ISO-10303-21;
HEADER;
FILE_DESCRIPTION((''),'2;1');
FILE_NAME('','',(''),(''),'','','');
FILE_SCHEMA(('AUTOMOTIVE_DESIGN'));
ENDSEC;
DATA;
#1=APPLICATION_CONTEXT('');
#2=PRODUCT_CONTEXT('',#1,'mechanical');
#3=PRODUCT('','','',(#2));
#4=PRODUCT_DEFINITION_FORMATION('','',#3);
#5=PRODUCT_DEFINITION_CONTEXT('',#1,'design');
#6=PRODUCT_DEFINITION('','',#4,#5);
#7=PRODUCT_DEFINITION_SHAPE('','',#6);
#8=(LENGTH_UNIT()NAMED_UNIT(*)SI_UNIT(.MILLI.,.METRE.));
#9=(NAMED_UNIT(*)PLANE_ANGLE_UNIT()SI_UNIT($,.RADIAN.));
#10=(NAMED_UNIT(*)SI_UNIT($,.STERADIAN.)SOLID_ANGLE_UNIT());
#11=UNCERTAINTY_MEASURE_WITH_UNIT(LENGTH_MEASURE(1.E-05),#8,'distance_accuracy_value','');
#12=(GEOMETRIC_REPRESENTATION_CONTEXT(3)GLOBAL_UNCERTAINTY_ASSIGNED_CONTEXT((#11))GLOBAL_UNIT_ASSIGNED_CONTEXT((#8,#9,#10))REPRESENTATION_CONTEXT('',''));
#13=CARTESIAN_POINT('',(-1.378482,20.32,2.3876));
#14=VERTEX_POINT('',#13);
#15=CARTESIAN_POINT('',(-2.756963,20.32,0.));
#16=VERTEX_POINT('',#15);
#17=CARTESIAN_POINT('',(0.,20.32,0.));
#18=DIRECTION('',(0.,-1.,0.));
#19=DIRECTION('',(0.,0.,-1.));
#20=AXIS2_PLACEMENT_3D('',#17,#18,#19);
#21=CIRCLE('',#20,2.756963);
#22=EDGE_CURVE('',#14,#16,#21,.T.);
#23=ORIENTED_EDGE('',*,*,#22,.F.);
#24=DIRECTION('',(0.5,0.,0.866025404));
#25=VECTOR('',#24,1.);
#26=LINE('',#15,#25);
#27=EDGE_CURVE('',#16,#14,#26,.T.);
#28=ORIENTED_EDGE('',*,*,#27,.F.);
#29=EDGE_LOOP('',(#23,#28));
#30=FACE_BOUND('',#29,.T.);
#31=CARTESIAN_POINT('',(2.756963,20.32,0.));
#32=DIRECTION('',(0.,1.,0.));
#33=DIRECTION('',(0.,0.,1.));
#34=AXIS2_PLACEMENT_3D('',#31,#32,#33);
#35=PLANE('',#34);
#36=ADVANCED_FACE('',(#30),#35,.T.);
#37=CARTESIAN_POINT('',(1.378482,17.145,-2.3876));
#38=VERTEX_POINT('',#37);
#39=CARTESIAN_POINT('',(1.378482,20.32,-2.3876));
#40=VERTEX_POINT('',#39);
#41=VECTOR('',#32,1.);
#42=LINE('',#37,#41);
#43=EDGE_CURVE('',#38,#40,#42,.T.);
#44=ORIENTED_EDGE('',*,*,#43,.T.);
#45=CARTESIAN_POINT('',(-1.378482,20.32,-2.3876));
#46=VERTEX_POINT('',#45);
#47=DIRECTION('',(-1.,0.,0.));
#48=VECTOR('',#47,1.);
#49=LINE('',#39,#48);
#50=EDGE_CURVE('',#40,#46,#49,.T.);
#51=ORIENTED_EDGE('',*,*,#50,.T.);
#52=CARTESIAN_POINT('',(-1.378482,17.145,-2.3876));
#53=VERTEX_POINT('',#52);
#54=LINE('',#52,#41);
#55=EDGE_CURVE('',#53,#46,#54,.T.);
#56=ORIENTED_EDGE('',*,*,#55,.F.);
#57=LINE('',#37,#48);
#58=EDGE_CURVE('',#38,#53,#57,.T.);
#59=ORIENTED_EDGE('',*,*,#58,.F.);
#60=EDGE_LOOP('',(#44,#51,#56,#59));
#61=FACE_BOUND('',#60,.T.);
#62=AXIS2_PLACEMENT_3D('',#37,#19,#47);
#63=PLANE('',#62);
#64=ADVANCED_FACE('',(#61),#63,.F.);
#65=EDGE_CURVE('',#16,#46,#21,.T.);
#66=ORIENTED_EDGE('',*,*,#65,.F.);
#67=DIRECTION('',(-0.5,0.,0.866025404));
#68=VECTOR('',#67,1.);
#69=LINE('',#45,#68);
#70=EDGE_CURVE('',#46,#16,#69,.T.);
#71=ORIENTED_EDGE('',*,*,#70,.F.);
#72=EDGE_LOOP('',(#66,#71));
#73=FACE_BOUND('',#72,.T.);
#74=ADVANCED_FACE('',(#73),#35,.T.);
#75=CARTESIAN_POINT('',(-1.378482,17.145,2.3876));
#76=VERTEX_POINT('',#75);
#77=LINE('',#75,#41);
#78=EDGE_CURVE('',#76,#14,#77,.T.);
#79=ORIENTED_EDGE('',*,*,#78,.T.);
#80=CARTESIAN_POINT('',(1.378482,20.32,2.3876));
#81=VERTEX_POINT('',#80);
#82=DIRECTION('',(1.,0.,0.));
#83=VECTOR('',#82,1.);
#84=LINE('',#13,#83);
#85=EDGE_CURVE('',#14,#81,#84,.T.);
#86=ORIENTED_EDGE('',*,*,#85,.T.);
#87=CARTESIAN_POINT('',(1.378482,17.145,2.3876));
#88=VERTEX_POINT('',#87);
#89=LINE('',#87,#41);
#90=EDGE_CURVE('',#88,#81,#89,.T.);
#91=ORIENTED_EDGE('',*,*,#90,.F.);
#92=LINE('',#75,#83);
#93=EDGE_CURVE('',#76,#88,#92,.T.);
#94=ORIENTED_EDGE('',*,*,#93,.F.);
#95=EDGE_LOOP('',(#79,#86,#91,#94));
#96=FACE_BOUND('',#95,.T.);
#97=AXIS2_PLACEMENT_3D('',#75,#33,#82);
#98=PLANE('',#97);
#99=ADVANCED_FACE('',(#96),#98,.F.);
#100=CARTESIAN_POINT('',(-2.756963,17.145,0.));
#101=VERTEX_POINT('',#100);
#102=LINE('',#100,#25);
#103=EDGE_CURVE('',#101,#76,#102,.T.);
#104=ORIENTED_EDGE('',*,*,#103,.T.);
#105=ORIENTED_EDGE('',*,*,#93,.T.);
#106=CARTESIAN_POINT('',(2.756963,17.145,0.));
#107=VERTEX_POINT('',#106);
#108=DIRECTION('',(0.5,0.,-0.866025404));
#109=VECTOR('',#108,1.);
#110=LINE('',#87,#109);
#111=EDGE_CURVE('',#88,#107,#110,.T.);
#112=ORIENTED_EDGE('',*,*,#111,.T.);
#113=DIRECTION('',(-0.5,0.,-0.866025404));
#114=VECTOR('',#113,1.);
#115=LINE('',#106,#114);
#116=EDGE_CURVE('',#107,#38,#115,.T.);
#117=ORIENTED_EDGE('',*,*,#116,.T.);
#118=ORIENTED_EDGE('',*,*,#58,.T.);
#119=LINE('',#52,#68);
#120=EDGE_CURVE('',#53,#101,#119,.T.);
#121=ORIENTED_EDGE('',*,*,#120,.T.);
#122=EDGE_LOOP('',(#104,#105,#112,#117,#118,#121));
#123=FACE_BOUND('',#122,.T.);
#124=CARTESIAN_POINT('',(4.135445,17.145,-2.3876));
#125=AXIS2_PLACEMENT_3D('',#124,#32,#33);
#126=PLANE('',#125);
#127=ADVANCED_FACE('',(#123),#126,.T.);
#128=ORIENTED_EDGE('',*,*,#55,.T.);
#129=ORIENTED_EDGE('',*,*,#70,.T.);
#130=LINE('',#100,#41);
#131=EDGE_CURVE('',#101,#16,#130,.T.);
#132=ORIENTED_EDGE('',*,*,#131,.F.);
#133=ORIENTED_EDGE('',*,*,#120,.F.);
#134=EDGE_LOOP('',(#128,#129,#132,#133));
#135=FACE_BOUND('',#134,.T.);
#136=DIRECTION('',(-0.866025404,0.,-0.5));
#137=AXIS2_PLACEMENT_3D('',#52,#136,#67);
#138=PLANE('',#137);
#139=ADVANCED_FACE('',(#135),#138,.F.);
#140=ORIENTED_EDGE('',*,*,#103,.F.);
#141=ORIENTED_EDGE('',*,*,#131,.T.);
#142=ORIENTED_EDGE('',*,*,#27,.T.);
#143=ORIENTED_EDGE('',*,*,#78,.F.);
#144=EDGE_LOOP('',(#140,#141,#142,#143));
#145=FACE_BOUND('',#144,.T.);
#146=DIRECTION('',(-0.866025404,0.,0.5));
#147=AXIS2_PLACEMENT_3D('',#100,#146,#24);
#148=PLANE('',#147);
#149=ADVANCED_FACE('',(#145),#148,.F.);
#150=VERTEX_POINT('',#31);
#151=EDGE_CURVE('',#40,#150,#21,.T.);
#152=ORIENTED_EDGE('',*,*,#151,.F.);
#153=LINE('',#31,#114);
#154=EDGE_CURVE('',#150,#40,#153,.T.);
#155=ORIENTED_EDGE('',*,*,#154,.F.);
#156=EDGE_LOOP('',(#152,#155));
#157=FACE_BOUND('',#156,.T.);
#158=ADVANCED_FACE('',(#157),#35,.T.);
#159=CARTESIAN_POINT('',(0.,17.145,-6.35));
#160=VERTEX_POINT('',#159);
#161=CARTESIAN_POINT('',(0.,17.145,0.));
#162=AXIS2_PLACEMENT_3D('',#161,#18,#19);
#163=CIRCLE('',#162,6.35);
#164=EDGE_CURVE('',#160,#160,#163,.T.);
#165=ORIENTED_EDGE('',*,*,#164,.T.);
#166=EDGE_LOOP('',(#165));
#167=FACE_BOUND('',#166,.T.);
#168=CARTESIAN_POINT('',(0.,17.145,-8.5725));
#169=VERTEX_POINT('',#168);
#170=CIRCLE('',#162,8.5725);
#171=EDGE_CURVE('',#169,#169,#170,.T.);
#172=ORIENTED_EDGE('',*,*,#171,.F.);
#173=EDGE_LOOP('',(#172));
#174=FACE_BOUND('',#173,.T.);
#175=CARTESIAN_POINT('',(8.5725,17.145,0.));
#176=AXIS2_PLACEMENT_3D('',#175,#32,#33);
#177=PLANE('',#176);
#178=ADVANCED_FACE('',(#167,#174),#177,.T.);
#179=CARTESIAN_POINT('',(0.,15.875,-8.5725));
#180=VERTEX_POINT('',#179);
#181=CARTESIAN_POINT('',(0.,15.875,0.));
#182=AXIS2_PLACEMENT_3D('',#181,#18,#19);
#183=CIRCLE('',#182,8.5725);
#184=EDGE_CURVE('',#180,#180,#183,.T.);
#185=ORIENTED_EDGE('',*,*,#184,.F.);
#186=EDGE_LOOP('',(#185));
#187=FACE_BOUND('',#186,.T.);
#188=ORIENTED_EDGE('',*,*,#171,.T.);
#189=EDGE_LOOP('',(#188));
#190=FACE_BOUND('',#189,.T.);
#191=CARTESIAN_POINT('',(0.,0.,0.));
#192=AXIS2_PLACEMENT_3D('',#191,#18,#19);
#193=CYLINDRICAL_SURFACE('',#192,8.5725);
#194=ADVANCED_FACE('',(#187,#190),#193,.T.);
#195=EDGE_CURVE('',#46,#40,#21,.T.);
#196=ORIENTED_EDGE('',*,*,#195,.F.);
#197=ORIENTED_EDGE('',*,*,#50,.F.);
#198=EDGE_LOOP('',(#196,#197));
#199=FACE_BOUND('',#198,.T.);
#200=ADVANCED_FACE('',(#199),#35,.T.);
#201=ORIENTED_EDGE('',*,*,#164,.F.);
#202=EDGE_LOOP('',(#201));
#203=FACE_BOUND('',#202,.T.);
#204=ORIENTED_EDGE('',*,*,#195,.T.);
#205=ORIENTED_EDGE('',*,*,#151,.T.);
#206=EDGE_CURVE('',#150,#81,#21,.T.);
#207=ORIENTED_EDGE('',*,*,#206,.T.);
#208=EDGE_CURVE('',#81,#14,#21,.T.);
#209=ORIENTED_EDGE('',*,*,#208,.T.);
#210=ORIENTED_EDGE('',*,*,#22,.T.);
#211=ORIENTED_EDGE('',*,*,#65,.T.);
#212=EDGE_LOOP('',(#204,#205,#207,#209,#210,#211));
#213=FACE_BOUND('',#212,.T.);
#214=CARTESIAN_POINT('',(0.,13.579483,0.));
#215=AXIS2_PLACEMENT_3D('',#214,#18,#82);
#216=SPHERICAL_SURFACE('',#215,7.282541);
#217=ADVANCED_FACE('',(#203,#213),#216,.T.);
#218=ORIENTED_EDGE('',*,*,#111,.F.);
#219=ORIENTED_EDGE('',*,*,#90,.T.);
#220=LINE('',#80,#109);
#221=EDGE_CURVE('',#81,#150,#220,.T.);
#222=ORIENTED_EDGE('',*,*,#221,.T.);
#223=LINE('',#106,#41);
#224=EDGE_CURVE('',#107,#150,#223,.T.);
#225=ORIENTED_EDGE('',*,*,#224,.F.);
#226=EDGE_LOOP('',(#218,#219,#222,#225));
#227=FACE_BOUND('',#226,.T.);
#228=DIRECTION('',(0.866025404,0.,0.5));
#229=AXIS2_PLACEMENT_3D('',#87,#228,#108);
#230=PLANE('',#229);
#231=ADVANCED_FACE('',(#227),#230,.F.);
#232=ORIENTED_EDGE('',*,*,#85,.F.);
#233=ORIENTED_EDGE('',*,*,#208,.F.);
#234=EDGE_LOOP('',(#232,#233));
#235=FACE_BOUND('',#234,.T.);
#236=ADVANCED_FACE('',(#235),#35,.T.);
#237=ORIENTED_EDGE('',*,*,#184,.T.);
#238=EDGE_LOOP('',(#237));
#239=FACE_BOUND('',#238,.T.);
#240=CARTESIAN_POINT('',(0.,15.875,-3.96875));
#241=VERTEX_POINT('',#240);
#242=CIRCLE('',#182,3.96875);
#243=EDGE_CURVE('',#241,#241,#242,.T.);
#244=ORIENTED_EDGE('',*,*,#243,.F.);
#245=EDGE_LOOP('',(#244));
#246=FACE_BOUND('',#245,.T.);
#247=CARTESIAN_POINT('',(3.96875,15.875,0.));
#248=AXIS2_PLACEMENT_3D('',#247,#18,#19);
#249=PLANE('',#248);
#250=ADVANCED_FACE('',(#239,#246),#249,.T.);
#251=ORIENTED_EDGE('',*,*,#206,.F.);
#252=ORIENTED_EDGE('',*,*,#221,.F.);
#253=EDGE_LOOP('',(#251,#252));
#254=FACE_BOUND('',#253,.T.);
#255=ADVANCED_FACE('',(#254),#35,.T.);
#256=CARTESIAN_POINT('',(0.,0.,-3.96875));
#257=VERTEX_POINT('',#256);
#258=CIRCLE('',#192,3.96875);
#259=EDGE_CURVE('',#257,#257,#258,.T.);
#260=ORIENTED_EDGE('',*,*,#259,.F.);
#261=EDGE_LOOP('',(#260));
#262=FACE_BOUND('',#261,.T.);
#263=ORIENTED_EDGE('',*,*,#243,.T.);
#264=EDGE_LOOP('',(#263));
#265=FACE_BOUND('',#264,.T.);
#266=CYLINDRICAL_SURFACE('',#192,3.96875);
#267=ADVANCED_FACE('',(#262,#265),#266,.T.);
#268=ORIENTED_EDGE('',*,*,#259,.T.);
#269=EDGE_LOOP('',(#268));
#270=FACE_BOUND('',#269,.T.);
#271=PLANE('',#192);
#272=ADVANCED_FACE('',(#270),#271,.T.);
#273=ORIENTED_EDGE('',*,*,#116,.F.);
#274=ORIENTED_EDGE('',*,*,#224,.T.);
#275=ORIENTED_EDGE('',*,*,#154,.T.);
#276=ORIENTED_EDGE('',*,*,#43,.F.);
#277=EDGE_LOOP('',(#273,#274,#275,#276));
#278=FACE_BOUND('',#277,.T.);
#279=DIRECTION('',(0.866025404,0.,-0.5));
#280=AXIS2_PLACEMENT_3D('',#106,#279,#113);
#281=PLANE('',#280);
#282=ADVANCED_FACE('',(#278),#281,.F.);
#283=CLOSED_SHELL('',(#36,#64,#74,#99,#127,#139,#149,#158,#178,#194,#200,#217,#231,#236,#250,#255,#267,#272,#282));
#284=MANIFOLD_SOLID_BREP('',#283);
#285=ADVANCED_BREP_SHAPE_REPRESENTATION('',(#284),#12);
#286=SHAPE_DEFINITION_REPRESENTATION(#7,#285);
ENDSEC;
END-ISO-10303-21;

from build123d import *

# Parameters (mm, degrees)
HEX_CUT_DEPTH = 3.175


with BuildPart() as part:
    # Sketch1 → Screw revolve (revolve)
    with BuildSketch(Plane.XY, mode=Mode.PRIVATE) as screw_revolve_sk:
        with BuildLine():
            Line((0, 0), (3.96875, 0))
            Line((3.96875, 0), (3.96875, 15.875))
            Line((3.96875, 15.875), (8.5725, 15.875))
            Line((8.5725, 15.875), (8.5725, 17.145))
            Line((8.5725, 17.145), (6.35, 17.145))
            ThreePointArc((6.35, 17.145), (4.822276438, 19.036685873), (2.756963005, 20.32))
            Line((2.756963005, 20.32), (0, 20.32))
            Line((0, 20.32), (0, 0))
        make_face()
    revolve(screw_revolve_sk.sketch.rotate(Axis((0, 0, 0), (0, 1, 0)), 90), axis=Axis((0, 0, 0), (0, 1, 0)))

    # Sketch2 → Hex Cut (cut)
    with BuildSketch(Plane(origin=(0, 20.32, 0), x_dir=(-1, 0, 0), z_dir=(0, 1, 0))):
        Polygon((-2.756963005, 0), (-1.378481503, -2.3876), (1.378481503, -2.3876), (2.756963005, 0), (1.378481503, 2.3876), (-1.378481503, 2.3876), align=None)
    extrude(amount=-HEX_CUT_DEPTH, mode=Mode.SUBTRACT)


solid = part.part
